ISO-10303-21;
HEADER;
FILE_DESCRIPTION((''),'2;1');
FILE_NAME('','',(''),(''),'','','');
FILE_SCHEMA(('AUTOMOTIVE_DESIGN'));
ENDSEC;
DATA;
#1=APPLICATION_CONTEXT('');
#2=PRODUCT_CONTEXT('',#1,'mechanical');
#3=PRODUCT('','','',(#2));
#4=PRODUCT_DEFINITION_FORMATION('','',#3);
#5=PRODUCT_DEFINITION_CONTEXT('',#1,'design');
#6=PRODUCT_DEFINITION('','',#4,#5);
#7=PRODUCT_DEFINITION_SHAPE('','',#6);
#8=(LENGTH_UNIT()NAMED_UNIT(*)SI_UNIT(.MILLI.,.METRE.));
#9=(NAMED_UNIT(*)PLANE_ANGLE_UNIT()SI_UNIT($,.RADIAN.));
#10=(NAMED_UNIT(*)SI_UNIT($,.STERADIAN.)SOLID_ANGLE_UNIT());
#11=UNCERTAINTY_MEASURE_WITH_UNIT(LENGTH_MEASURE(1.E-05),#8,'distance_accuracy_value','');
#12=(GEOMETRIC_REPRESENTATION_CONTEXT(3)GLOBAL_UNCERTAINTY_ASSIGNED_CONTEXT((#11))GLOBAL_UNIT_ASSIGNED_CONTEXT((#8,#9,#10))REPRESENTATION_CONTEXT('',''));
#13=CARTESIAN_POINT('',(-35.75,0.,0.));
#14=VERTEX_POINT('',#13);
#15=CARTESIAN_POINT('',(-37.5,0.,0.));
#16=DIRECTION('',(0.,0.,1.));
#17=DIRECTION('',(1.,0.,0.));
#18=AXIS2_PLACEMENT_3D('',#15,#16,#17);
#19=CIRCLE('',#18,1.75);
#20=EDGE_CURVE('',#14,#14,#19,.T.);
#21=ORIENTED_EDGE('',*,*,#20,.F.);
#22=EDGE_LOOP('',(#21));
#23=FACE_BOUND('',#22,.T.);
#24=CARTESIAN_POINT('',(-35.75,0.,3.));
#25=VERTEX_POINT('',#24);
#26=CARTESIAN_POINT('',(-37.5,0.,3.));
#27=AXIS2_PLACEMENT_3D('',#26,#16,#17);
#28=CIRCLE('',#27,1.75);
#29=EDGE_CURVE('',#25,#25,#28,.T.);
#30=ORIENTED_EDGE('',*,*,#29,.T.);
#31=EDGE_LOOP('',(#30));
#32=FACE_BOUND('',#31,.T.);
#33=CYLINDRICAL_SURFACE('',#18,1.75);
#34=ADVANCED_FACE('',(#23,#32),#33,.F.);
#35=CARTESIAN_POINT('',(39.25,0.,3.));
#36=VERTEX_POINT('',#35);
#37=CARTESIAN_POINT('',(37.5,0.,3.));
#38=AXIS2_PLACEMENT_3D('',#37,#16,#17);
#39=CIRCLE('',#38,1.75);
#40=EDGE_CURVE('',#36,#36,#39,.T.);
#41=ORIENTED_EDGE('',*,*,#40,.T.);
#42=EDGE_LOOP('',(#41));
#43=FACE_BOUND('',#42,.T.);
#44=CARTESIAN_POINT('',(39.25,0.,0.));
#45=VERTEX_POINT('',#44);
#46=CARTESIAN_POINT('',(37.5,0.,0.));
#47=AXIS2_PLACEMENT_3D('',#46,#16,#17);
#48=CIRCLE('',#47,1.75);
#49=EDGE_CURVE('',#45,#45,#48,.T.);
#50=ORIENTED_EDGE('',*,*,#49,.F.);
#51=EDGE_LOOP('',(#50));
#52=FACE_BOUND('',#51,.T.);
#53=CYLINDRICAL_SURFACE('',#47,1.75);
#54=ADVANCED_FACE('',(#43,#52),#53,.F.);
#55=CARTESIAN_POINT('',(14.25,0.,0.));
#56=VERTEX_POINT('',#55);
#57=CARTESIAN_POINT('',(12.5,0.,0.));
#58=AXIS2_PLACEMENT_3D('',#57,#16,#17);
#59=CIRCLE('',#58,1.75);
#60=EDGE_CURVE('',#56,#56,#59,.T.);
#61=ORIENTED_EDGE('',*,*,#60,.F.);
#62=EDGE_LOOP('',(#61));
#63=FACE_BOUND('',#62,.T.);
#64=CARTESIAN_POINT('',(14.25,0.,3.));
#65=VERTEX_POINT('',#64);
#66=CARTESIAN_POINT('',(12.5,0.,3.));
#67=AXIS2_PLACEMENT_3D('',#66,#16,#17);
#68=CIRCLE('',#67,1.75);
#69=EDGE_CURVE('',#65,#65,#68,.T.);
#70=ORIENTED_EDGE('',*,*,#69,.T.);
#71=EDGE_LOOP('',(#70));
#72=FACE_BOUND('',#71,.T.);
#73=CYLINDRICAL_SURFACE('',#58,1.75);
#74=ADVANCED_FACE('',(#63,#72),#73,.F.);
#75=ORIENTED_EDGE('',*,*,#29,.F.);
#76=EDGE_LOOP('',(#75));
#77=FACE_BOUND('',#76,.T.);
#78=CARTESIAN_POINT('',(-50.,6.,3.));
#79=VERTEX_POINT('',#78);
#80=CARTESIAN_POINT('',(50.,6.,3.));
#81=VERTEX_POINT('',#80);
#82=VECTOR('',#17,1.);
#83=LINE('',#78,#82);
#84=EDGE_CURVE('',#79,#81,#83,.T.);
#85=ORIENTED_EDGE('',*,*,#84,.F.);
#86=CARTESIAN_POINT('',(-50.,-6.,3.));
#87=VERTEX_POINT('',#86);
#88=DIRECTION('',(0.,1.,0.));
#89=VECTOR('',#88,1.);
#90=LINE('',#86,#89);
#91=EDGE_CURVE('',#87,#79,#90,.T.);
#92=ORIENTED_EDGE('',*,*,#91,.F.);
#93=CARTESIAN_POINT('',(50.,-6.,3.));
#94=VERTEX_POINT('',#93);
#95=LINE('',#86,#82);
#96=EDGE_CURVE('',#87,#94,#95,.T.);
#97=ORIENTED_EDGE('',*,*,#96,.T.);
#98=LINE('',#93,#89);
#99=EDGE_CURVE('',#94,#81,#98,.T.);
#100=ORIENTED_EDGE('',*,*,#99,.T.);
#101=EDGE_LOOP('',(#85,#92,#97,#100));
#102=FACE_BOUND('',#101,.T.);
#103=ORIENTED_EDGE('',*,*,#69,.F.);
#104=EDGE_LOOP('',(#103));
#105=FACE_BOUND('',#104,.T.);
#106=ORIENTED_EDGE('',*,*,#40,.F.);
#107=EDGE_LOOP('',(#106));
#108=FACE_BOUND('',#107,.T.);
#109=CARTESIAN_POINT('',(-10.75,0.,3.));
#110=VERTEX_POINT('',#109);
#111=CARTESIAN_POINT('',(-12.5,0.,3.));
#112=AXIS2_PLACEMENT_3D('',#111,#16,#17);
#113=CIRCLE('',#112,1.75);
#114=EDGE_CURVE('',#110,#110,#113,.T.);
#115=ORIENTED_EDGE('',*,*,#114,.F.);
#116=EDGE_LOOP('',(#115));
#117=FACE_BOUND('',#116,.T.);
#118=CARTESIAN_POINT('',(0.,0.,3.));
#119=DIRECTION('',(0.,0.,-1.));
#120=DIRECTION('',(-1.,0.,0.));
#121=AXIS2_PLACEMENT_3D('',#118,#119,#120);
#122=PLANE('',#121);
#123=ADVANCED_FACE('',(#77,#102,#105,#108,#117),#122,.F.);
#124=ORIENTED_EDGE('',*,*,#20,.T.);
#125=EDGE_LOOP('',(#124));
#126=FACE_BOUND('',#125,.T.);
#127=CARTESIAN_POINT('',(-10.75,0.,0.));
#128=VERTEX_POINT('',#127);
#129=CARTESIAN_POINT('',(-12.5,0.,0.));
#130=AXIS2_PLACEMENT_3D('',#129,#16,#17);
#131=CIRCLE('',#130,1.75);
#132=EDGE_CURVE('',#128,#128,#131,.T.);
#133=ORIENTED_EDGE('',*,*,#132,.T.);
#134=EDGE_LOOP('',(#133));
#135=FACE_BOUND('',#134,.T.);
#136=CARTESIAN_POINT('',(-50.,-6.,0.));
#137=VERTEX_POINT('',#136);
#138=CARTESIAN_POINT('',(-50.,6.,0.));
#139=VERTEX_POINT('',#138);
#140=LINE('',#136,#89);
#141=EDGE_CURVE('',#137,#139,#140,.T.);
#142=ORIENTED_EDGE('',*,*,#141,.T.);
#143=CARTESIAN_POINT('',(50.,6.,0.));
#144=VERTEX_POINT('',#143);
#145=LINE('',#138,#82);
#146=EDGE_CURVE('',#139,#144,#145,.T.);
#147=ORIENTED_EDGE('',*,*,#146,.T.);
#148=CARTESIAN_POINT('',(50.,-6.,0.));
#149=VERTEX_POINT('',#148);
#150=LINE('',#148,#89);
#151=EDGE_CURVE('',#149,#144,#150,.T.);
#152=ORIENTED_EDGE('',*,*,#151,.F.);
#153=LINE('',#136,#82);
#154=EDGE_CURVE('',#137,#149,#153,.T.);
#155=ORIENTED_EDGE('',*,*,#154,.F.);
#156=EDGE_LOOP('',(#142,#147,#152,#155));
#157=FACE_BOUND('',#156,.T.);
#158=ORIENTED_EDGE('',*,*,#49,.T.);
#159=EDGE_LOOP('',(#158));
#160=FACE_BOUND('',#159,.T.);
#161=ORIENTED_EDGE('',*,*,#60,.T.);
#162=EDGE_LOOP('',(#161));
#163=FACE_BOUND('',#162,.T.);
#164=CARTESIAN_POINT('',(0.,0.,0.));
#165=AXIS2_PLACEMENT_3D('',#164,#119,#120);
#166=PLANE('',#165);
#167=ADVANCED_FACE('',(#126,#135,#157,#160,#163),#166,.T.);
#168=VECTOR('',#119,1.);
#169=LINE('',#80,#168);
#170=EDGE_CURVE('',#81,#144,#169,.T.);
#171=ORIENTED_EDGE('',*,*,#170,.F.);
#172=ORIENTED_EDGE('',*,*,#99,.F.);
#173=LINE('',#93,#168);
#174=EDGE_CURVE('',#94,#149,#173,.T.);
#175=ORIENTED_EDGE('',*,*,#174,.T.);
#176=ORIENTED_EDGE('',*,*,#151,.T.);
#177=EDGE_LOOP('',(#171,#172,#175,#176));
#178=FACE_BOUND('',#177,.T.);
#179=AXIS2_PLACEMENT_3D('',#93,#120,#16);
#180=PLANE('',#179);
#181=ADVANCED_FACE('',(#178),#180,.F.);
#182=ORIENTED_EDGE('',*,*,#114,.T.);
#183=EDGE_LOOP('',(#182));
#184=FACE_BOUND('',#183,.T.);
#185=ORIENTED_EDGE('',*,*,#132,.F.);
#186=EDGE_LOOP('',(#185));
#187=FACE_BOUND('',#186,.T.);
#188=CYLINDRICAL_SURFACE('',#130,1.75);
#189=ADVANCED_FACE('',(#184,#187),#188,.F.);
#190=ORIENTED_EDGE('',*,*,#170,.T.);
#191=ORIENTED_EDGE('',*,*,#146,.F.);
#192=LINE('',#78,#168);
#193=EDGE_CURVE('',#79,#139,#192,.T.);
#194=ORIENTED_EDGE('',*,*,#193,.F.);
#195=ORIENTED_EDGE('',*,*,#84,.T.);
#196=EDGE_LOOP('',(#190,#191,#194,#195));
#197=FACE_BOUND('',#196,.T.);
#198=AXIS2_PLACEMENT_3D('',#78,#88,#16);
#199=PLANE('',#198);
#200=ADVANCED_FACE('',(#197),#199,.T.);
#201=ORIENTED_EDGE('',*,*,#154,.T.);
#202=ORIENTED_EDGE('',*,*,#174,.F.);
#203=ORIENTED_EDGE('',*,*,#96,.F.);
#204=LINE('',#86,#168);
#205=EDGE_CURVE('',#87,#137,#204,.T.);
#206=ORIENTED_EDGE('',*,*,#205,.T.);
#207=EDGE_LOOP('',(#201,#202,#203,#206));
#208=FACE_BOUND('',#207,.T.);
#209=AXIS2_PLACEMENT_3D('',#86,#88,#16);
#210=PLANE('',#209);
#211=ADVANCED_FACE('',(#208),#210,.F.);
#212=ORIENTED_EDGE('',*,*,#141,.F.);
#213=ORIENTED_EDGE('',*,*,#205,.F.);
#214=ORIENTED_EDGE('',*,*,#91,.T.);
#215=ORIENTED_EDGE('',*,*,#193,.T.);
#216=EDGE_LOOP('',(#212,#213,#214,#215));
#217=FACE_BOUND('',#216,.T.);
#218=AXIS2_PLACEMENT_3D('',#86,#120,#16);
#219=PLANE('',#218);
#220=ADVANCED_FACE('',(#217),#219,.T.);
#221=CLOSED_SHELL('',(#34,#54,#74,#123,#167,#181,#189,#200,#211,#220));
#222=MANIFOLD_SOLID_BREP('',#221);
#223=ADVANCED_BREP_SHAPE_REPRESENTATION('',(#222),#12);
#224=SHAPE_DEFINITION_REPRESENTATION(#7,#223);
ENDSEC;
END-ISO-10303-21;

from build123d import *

# Parameters (mm, degrees)
SKETCH1_W           = 100
SKETCH1_H           = 12
BOSS_EXTRUDE1_DEPTH = 3
SKETCH7_R           = 1.75
CUT_EXTRUDE1_DEPTH  = 4
LPATTERN1_COUNT     = 4
LPATTERN1_PITCH     = 25


with BuildPart() as part:
    # Sketch1 → Boss-Extrude1 (new body)
    with BuildSketch(Plane.XY):
        Rectangle(SKETCH1_W, SKETCH1_H)
    extrude(amount=BOSS_EXTRUDE1_DEPTH)

    # Sketch7 → Cut-Extrude1 (cut, through all)
    with BuildSketch(Plane.XY.offset(3)):
        with Locations((37.5, 0)):
            Circle(SKETCH7_R)
    cut_extrude1 = extrude(amount=-CUT_EXTRUDE1_DEPTH, mode=Mode.SUBTRACT)

    # LPattern1: Cut-Extrude1 ×4
    with Locations(*[(-i * LPATTERN1_PITCH, 0, 0) for i in range(1, LPATTERN1_COUNT)]):
        add(cut_extrude1, mode=Mode.SUBTRACT)


solid = part.part
